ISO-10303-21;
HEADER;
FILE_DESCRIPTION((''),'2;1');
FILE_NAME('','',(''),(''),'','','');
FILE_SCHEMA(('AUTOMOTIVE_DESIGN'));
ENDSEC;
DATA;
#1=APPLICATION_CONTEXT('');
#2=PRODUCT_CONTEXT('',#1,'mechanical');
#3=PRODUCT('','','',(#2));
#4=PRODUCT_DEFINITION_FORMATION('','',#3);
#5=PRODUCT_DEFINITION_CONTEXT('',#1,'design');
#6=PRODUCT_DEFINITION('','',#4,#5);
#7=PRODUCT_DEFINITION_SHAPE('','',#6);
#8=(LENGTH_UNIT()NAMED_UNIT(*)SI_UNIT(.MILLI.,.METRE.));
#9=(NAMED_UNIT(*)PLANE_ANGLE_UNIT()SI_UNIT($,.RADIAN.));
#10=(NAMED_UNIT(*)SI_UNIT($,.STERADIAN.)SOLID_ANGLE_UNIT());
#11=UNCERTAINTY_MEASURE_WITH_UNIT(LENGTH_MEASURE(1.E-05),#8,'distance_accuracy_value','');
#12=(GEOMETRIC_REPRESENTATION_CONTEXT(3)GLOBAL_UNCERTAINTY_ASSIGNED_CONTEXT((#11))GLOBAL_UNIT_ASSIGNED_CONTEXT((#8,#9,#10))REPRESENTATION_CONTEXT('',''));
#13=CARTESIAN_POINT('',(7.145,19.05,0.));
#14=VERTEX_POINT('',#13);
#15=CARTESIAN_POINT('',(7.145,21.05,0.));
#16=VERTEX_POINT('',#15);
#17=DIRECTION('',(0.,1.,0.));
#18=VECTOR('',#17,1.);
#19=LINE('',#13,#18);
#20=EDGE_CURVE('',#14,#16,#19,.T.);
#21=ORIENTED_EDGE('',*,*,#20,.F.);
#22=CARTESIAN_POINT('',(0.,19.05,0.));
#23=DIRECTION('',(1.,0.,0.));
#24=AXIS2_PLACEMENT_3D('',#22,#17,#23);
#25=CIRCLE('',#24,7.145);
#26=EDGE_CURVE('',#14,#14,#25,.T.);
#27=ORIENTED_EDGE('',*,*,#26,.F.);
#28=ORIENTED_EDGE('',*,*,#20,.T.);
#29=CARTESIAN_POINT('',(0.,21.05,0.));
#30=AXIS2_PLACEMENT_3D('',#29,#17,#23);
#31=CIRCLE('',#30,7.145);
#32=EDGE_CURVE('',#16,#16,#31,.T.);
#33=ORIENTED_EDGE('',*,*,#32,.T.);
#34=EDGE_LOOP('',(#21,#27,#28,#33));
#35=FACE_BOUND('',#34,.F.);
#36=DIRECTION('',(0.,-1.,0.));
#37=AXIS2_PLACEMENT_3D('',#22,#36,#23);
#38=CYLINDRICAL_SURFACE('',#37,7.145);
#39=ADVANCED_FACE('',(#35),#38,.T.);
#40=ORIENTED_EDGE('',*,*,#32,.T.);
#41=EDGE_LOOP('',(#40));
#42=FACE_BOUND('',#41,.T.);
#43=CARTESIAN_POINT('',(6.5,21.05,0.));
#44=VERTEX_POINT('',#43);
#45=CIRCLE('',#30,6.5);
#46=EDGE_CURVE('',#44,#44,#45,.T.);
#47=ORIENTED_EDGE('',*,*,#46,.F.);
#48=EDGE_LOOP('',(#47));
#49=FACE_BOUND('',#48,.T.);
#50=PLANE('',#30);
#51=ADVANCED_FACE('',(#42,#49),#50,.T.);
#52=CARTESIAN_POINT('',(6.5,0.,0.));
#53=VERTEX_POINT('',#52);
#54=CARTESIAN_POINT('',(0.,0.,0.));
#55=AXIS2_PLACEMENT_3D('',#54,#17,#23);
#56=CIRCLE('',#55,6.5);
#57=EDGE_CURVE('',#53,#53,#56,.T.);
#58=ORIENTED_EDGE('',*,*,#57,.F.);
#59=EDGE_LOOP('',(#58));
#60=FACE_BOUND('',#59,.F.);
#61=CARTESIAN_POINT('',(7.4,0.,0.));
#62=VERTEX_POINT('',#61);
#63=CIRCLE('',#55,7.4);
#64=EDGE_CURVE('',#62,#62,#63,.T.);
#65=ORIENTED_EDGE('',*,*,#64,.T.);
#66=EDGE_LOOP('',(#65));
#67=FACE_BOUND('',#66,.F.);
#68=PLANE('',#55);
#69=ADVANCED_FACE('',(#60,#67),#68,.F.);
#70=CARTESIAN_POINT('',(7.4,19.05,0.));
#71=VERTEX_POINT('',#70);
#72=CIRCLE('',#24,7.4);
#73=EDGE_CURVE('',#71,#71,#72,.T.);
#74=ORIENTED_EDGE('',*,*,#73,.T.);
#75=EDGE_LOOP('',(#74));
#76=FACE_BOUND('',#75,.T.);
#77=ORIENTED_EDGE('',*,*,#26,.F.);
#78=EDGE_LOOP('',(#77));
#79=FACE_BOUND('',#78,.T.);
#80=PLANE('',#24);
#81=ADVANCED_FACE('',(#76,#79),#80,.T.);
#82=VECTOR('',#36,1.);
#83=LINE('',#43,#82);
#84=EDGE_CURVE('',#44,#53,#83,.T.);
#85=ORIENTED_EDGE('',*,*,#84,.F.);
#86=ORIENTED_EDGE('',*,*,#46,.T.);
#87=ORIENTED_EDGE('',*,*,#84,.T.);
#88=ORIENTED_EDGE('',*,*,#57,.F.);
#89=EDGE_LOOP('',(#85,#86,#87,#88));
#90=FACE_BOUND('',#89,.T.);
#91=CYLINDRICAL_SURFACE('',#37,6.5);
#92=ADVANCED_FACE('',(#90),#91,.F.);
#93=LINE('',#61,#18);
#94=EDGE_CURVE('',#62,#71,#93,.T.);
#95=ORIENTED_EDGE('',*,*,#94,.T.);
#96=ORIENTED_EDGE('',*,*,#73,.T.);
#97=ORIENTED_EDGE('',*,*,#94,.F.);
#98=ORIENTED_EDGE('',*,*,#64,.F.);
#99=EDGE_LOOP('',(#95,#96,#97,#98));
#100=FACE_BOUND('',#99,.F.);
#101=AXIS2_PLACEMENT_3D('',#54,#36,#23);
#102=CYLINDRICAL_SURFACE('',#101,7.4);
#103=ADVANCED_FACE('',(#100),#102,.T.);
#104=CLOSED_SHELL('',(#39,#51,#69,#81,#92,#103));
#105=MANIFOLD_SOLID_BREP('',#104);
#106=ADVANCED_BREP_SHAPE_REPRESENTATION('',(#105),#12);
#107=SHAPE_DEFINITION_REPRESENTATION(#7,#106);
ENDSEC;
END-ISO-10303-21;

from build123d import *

# Parameters (mm, degrees)
F0_R     = 7.4
F0_R_2   = 6.5
F1_DEPTH = 19.05
F2_R     = 7.145
F2_R_2   = 6.5
F3_DEPTH = 2
F5_ANGLE = -90


with BuildPart() as f1:
    # F0 (on Top) → F1 (new body)
    with BuildSketch(Plane.XY):
        Circle(F0_R)
        Circle(F0_R_2, mode=Mode.SUBTRACT)
    extrude(amount=F1_DEPTH)

    # F2 (on face) → F3 (join)
    with BuildSketch(Plane.XY.offset(19.05)):
        Circle(F2_R)
        Circle(F2_R_2, mode=Mode.SUBTRACT)
    extrude(amount=F3_DEPTH)


with BuildPart() as f1_1:
    # F5: moved
    add(f1.part.rotate(Axis((5.261217, 0, 0), (1, 0, 0)), F5_ANGLE))


solid = f1_1.part
